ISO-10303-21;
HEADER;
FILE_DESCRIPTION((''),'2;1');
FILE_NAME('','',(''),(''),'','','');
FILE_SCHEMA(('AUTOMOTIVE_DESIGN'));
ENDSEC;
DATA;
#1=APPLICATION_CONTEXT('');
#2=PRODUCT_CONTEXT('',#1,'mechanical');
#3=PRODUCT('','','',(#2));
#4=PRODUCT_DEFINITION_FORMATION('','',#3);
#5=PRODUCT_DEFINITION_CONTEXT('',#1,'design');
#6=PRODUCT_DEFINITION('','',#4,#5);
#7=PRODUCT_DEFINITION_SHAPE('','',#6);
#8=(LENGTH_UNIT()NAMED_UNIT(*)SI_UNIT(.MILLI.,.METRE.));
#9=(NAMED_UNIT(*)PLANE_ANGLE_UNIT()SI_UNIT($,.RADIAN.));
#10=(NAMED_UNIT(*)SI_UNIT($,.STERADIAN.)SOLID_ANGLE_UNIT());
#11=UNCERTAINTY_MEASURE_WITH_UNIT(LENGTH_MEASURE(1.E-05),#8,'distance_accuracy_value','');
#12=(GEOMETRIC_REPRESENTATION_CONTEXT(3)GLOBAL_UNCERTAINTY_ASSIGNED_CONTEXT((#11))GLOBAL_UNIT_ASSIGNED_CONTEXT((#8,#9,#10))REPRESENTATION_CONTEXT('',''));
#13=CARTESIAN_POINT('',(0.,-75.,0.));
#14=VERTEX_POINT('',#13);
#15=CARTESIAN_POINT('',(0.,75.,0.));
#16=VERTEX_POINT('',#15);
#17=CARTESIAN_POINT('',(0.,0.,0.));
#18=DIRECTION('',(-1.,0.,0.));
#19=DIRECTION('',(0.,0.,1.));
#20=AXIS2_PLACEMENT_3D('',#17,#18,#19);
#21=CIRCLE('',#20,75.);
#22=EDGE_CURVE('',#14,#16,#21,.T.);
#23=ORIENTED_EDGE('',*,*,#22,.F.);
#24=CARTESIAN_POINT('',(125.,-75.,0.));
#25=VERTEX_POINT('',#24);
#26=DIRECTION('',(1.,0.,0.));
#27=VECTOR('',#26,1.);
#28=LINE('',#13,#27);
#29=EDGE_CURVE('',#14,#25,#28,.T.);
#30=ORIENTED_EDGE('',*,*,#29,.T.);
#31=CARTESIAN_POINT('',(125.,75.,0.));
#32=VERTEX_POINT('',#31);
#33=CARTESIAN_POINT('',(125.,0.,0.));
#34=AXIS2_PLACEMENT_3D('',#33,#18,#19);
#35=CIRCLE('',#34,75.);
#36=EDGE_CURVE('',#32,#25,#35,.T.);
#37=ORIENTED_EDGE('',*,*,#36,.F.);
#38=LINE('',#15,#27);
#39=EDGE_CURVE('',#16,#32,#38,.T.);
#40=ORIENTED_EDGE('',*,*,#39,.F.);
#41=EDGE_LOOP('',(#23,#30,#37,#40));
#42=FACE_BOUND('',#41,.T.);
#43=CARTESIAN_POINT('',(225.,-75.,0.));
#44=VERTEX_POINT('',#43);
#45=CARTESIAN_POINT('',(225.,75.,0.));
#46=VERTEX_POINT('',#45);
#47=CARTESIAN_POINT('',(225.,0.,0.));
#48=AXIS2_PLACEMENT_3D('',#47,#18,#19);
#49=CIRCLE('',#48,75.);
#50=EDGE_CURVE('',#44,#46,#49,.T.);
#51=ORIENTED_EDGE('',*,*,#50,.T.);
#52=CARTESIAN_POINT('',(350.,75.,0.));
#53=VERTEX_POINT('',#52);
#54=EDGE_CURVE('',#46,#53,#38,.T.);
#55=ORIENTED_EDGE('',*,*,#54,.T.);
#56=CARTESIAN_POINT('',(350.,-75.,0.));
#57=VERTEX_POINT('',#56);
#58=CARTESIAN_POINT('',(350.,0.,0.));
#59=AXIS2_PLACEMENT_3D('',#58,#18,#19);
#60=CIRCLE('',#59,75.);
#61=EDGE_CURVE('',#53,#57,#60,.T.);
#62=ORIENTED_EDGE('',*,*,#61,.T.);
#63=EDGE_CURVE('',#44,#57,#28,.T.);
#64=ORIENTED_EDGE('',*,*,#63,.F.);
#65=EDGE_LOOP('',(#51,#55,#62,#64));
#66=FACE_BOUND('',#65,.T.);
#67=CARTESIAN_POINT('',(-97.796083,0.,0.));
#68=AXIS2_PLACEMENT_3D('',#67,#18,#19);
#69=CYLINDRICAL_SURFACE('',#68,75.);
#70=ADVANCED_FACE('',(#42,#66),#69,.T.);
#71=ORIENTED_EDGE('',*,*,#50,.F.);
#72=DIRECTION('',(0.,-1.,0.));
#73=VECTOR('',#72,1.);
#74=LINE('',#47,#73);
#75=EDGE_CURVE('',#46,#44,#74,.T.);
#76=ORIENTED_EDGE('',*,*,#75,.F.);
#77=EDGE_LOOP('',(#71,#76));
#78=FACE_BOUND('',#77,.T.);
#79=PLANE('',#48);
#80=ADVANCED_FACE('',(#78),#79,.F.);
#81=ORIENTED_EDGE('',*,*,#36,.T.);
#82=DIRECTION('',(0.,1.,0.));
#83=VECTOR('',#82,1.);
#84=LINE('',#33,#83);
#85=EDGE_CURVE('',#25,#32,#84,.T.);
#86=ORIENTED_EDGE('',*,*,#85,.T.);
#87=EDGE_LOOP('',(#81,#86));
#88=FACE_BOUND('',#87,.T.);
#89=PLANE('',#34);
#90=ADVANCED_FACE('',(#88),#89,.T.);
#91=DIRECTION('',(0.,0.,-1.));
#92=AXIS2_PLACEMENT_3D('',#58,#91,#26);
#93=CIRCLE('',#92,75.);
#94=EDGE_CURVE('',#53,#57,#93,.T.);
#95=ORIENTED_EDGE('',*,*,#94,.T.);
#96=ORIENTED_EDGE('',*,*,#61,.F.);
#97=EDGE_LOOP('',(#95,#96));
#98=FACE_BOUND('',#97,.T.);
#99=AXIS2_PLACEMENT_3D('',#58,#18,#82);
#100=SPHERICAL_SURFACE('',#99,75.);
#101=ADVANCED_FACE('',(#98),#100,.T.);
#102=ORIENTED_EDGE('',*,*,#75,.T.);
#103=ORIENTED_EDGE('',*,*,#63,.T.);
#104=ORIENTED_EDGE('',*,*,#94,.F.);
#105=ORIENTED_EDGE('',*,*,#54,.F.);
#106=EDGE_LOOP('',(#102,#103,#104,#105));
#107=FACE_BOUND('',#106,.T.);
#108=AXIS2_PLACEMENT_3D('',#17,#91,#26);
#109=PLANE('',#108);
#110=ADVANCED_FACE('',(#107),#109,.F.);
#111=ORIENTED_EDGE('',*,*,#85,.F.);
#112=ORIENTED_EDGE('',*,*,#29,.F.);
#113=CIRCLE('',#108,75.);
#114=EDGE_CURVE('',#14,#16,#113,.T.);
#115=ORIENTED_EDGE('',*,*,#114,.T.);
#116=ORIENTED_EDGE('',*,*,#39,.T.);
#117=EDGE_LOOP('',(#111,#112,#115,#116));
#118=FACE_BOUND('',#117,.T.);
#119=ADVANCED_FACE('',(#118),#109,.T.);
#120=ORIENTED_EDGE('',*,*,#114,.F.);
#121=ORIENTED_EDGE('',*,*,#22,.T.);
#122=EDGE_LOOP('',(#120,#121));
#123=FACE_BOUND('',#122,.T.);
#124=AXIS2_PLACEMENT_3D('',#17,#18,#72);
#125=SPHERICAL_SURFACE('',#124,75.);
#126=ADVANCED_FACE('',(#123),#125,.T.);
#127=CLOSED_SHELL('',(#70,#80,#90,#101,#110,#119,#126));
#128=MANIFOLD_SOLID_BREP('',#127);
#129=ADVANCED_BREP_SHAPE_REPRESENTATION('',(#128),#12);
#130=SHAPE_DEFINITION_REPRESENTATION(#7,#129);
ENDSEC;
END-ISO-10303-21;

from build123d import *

# Parameters (mm, degrees)
REVOLVE1_ANGLE = 180
REVOLVE2_ANGLE = 180


with BuildPart() as part:
    # Sketch1 → Revolve1 (revolve)
    with BuildSketch(Plane.XY):
        with BuildLine():
            Line((0, 75), (225, 75))
            Line((225, 75), (225, 0))
            Line((225, 0), (-75, 0))
            ThreePointArc((-75, 0), (-53.033008589, 53.033008589), (0, 75))
        make_face()
    revolve(axis=Axis((-97.796083429, 0, 0), (1, 0, 0)), revolution_arc=REVOLVE1_ANGLE)

    # Sketch1<4> → Revolve2 (revolve)
    with BuildSketch(Plane.XY):
        with BuildLine():
            Line((425, 0), (225, 0))
            Line((225, 0), (125, 0))
            Line((125, 0), (125, -75))
            Line((125, -75), (350, -75))
            ThreePointArc((350, -75), (403.033008589, -53.033008589), (425, 0))
        make_face()
    revolve(axis=Axis((-97.796083429, 0, 0), (1, 0, 0)), revolution_arc=REVOLVE2_ANGLE)


solid = part.part
